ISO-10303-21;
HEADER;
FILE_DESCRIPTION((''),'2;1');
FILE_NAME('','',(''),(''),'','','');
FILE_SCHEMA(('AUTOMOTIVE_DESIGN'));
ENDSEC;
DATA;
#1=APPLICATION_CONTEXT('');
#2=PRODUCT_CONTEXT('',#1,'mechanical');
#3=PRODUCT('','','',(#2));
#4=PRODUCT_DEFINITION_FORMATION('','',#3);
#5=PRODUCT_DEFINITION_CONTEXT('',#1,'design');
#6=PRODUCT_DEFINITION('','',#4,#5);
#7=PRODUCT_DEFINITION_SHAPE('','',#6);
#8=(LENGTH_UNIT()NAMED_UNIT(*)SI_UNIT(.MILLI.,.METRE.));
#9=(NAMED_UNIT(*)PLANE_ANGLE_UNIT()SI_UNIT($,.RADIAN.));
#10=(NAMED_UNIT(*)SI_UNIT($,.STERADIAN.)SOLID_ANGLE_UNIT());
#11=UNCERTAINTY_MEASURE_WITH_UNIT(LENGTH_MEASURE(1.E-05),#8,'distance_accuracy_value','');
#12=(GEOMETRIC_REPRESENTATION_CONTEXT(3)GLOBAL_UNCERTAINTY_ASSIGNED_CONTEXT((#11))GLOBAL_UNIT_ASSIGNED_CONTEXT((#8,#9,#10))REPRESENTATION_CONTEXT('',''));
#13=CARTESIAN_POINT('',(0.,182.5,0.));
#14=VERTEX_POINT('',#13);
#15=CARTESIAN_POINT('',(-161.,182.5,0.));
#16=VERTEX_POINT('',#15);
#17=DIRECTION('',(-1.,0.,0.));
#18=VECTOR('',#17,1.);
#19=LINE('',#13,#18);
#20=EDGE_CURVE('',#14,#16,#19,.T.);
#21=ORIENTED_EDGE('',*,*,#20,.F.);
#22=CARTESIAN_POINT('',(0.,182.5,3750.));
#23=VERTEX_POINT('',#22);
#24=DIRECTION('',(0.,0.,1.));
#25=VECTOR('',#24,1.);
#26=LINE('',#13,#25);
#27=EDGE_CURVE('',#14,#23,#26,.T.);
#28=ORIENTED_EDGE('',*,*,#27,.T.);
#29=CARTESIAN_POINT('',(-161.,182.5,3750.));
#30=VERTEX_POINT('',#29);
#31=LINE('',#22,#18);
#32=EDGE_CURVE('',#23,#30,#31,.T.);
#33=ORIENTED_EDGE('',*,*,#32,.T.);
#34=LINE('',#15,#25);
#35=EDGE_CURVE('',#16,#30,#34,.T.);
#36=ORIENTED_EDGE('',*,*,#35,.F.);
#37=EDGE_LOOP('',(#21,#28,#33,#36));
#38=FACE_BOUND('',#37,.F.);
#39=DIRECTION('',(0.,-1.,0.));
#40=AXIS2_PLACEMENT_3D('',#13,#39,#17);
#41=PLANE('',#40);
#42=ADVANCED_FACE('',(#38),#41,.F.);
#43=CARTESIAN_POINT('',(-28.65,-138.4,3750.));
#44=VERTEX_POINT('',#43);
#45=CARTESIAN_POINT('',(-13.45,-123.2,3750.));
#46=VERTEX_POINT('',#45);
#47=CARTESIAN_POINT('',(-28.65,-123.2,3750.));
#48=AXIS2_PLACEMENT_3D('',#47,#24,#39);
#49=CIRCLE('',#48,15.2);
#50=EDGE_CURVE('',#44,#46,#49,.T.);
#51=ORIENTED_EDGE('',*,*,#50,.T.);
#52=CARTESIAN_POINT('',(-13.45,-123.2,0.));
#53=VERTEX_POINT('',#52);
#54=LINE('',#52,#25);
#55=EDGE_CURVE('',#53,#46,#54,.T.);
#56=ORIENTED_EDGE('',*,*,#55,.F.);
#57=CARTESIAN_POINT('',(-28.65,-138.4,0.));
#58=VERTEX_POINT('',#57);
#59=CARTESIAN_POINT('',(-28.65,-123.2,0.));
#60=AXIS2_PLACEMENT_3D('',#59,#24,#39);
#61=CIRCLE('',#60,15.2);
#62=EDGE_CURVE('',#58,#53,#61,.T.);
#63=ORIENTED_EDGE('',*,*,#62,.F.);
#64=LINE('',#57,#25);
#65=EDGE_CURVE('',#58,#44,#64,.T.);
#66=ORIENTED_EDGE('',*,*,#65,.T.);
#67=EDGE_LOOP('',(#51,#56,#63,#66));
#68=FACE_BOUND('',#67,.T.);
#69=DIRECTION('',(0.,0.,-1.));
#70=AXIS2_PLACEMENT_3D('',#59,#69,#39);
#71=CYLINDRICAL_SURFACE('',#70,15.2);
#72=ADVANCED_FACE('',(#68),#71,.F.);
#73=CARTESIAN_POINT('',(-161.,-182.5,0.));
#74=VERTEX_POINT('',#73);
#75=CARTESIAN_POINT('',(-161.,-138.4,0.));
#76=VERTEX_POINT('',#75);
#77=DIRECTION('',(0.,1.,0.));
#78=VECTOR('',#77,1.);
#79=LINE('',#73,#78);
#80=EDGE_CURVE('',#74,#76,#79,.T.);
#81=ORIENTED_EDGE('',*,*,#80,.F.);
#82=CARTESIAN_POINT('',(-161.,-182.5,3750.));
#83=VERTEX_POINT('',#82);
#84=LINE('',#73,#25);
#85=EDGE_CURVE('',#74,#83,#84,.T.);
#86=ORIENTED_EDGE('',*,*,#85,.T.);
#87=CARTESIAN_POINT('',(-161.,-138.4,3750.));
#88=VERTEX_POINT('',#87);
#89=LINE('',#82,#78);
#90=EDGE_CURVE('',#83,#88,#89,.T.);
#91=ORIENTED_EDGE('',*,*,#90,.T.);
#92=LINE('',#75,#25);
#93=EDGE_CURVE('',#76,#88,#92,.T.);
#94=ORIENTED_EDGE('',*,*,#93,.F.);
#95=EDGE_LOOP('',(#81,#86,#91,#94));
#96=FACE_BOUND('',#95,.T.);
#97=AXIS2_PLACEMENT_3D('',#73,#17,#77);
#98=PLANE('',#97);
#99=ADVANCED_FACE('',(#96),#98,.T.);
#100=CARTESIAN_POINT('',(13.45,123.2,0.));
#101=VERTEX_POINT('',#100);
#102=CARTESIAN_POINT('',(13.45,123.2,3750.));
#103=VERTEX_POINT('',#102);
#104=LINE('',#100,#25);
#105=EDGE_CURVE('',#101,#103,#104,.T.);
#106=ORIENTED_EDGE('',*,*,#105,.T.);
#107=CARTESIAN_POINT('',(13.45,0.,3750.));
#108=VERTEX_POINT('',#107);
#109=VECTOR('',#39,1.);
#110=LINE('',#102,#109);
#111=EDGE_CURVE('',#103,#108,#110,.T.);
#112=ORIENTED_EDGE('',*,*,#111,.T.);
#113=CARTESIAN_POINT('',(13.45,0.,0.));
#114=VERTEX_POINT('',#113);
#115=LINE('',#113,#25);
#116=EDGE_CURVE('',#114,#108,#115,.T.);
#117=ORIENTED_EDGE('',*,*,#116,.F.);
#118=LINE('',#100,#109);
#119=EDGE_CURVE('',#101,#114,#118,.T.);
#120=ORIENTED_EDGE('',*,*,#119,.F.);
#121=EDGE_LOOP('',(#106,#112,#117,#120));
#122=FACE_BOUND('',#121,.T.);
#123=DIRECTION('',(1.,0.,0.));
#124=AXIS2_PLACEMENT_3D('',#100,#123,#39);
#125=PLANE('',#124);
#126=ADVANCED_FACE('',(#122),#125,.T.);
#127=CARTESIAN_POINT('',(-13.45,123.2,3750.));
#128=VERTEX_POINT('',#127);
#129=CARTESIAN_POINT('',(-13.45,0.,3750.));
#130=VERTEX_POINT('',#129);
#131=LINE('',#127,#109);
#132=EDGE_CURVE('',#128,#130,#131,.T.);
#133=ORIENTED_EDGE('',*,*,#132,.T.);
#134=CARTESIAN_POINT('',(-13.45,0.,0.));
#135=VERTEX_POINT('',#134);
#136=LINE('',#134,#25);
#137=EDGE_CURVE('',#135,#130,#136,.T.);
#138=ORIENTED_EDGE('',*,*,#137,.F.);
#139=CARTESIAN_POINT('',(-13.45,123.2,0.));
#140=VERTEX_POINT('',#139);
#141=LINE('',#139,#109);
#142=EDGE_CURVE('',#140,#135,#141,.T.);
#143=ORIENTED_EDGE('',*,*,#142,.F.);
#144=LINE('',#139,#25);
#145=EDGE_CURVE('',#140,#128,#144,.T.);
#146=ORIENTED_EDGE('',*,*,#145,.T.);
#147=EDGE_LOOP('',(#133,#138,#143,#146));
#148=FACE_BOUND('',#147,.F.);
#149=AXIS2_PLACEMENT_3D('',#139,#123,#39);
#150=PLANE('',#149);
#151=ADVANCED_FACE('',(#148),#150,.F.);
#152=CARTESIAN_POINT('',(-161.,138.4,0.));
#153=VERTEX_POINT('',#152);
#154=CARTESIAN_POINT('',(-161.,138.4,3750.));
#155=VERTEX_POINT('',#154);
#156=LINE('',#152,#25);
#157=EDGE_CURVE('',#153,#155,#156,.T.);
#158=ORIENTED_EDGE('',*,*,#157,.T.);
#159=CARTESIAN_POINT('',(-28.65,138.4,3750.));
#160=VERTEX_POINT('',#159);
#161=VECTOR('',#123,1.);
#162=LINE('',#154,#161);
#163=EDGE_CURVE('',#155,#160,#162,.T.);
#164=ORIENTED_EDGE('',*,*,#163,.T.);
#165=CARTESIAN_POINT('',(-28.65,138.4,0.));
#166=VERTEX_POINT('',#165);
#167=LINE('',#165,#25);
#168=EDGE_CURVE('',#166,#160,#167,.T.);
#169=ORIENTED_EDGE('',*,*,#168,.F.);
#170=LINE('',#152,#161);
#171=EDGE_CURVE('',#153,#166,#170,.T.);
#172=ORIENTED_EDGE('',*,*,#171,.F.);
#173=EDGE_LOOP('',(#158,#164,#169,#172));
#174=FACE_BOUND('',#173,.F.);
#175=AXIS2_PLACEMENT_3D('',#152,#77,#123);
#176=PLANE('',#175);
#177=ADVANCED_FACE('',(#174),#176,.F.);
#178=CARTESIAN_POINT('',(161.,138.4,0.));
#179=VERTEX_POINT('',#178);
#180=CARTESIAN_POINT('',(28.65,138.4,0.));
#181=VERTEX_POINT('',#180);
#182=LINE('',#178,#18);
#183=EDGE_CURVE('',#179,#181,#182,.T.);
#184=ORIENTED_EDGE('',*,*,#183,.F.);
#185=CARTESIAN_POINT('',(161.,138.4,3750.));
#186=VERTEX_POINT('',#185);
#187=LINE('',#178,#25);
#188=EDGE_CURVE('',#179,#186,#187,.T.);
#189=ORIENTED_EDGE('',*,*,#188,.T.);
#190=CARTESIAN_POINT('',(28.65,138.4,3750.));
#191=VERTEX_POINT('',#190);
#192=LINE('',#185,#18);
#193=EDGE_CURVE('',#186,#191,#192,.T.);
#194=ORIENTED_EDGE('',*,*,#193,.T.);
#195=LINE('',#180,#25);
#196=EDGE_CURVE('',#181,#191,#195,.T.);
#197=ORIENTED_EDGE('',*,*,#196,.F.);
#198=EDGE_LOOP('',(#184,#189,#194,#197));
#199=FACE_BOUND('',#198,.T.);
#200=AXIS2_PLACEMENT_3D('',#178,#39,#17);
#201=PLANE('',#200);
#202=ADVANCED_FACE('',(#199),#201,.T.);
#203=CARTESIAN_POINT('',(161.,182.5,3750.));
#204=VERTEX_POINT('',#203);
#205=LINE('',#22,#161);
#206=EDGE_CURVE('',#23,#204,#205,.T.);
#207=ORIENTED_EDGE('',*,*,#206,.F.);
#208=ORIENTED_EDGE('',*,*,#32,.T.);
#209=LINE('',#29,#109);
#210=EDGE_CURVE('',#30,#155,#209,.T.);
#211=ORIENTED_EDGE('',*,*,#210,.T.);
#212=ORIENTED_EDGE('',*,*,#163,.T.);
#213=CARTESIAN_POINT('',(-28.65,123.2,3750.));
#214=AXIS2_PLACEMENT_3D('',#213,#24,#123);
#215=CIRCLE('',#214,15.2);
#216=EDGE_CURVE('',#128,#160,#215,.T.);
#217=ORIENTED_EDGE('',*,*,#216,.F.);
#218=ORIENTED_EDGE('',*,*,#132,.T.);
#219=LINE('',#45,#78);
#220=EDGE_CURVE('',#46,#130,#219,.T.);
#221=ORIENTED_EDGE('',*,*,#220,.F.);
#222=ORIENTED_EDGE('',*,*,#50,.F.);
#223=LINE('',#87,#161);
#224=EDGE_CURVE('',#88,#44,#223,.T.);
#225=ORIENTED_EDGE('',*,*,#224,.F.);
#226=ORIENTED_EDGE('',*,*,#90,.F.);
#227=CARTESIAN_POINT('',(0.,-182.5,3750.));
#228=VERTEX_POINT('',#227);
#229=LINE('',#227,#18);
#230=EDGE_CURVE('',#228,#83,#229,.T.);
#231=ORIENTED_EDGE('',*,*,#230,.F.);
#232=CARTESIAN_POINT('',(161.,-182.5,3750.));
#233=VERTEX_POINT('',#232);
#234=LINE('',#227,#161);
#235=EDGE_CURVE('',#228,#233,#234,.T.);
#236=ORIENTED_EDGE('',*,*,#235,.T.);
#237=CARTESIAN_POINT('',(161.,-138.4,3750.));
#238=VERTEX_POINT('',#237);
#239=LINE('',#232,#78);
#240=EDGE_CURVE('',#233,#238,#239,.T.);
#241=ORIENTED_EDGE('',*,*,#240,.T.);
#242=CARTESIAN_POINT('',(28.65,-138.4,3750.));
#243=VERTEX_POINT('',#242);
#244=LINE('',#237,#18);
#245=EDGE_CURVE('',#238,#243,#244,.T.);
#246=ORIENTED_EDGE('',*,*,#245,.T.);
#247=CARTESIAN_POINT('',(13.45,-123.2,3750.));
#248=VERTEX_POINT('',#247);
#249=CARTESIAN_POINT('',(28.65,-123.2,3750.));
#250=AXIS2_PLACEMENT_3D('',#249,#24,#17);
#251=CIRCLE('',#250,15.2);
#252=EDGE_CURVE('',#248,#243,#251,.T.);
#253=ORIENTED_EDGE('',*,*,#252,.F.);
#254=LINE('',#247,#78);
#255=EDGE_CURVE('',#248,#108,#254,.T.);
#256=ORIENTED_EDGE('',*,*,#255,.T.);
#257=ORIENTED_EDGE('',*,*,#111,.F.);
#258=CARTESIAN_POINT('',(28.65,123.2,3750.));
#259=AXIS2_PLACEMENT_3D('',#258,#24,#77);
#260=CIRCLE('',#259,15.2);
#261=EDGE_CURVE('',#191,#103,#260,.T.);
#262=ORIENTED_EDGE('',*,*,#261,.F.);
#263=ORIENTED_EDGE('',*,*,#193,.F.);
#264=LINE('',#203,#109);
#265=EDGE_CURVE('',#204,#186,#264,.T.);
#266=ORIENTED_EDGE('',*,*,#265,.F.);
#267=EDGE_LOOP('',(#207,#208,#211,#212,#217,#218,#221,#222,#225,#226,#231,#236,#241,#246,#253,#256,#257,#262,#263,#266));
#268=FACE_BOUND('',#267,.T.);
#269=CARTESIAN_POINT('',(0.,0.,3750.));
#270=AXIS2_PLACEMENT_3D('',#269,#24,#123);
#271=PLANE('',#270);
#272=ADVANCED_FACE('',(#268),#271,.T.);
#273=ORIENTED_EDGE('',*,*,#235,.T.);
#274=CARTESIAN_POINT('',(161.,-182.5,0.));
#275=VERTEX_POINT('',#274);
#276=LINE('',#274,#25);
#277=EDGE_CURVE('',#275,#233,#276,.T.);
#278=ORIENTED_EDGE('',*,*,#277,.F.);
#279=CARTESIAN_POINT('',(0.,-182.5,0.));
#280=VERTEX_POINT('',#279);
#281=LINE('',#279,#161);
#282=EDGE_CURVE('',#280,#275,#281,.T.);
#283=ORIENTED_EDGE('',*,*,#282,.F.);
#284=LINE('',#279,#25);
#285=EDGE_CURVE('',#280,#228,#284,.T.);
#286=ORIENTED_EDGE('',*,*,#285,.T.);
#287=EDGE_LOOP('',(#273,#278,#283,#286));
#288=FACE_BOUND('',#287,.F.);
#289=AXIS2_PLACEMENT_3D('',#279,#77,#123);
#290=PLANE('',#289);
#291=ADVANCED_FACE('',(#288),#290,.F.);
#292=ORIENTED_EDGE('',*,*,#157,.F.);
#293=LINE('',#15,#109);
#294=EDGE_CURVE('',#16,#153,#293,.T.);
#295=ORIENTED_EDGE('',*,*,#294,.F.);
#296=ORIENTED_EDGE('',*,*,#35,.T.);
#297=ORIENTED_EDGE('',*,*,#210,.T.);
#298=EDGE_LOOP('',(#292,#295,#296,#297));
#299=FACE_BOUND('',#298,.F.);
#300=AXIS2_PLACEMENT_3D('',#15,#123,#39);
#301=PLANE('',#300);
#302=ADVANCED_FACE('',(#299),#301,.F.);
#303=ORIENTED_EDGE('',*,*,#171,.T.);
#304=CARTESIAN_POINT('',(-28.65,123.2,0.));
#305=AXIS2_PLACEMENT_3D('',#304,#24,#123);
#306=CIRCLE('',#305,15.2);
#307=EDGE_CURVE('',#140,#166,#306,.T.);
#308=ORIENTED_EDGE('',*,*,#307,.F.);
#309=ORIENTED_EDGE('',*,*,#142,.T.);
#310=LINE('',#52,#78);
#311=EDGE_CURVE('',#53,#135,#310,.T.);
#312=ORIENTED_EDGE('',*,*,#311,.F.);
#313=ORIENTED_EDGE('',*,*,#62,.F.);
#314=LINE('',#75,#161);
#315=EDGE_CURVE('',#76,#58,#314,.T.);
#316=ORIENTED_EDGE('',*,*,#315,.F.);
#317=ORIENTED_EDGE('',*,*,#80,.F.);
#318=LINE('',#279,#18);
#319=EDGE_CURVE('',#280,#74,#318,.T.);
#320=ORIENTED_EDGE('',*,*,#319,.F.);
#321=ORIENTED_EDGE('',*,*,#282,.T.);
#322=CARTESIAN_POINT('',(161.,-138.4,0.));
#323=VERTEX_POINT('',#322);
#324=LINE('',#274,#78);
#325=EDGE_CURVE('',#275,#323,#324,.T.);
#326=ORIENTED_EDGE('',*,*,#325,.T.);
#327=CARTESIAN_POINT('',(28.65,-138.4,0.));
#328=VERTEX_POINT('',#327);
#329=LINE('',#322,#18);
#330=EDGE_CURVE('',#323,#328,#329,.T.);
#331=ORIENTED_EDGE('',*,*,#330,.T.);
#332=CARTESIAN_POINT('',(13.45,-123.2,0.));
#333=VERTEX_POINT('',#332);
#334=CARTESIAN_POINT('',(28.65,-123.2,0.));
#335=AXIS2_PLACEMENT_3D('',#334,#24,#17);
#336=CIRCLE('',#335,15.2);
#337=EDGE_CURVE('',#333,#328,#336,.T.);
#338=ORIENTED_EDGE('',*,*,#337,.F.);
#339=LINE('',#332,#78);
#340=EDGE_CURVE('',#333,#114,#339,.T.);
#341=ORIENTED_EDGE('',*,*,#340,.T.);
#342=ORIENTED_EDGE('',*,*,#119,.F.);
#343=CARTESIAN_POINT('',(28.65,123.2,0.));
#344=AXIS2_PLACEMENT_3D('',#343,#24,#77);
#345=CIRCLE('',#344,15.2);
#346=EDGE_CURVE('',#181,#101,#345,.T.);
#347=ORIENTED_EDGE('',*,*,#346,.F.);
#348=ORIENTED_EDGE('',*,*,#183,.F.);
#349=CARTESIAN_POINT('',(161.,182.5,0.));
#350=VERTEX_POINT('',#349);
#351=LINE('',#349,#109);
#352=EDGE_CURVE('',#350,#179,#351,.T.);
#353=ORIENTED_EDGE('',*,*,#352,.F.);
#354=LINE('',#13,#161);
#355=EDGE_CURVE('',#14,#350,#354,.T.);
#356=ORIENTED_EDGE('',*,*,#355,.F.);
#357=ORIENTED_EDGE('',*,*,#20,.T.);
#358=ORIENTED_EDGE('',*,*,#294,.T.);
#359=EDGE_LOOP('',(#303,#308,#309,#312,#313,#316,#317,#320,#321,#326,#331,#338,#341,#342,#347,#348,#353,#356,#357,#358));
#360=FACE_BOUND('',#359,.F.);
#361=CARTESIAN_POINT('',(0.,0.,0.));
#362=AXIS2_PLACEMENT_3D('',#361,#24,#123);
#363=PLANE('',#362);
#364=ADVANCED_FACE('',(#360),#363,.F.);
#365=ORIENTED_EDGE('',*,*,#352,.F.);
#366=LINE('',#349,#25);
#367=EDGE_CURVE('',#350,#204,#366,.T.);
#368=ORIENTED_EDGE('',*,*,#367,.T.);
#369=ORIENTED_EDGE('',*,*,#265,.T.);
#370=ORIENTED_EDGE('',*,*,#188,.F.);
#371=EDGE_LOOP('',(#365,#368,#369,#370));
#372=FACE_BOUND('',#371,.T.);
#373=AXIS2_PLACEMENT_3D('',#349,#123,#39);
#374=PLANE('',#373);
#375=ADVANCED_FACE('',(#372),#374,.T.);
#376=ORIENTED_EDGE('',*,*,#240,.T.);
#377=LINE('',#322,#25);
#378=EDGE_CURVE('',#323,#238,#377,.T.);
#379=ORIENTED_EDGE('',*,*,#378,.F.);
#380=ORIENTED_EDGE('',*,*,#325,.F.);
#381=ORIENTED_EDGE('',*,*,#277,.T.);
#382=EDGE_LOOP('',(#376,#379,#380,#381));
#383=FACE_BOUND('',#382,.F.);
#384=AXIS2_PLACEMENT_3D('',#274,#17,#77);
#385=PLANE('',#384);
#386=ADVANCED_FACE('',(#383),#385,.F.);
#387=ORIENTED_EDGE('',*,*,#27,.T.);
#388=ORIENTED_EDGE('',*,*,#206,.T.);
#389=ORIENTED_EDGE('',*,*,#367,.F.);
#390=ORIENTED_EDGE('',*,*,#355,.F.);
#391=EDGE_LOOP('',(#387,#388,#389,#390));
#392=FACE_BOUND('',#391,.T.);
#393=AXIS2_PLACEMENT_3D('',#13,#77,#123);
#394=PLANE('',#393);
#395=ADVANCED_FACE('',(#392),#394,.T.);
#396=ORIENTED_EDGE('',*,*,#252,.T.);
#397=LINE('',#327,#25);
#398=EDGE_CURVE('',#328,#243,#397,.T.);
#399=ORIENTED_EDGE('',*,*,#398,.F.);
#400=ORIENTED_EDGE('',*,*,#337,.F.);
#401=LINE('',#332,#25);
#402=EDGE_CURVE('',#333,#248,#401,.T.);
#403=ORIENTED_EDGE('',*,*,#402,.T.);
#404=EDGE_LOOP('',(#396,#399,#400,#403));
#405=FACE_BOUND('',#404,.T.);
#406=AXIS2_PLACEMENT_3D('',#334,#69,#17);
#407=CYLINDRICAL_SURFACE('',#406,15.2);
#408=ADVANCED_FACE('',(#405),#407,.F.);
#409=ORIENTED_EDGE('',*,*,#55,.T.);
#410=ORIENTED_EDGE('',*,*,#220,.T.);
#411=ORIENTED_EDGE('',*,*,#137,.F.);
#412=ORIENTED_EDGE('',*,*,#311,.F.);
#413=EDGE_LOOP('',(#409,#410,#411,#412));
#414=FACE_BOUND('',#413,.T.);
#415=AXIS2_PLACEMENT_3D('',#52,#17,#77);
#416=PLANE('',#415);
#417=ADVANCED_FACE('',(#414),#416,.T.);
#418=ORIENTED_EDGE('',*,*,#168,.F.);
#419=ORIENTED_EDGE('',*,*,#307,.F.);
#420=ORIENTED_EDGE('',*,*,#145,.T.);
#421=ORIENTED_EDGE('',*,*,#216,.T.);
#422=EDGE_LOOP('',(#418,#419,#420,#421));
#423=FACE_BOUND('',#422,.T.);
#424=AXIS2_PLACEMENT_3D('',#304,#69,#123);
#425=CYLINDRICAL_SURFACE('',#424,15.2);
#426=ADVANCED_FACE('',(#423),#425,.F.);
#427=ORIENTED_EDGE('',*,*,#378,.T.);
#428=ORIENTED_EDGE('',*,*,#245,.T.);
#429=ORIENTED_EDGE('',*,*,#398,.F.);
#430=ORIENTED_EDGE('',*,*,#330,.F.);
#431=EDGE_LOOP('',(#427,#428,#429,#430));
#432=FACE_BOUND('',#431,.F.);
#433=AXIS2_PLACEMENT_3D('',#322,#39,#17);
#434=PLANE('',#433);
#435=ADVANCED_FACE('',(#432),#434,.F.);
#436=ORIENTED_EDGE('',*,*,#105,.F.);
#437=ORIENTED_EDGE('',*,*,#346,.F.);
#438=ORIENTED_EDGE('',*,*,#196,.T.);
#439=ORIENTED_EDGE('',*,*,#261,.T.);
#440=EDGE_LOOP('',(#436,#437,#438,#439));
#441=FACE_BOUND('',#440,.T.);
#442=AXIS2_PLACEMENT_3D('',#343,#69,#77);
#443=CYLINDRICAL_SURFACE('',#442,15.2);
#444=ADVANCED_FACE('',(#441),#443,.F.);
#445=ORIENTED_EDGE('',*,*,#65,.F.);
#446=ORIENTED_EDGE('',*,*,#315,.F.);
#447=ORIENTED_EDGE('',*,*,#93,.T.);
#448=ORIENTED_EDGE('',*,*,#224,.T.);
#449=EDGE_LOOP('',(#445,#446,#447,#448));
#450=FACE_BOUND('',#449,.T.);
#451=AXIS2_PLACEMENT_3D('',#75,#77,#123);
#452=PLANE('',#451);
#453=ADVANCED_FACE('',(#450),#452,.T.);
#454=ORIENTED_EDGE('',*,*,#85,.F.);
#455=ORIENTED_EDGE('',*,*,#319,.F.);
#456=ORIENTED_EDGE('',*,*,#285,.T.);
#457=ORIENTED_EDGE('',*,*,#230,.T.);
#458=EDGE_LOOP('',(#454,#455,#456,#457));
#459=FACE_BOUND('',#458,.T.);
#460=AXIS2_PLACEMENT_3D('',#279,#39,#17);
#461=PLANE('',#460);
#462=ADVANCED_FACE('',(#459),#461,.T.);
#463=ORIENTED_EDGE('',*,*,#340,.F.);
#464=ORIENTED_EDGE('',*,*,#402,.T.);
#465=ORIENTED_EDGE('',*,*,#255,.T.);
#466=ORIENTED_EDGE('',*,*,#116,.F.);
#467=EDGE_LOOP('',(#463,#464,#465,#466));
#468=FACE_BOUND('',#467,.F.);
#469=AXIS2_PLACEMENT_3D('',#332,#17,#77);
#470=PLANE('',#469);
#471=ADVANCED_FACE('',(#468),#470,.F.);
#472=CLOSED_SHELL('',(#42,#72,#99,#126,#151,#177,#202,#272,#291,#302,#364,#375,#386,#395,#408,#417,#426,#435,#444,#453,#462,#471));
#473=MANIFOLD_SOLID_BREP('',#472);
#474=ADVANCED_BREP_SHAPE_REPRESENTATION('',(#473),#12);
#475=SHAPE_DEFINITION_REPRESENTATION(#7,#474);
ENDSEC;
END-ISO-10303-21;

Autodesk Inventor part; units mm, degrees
ref_plane "YZ Plane" through (0, 0, 0) normal (1, 0, 0) x (0, 1, 0)
ref_plane "Start plane" through (0, 0, 0) normal (0, 0, 1) x (1, 0, 0)
ref_plane "End plane" through (0, 0, 3750) normal (0, 0, 1) x (1, 0, 0)
sketch "Sketch" plane through (0, 0, 0) normal (0, 0, 1) x (1, 0, 0)
  line L0 (-161, -182.5) -> (-161, -138.4)
  line L1 (-161, -138.4) -> (-28.65, -138.4)
  line L2 (-13.45, -123.2) -> (-13.45, 0)
  line L3 (-13.45, 0) -> (0, 0) construction
  line L4 (0, 0) -> (0, -182.5) construction
  line L5 (0, -182.5) -> (-161, -182.5)
  line L6 (-60, 0) -> (80, 0) construction
  line L7 (0, -60) -> (0, 80) construction
  line L8 (161, -182.5) -> (161, -138.4)
  line L9 (161, -138.4) -> (28.65, -138.4)
  line L10 (13.45, -123.2) -> (13.45, 0)
  line L11 (13.45, 0) -> (0, 0) construction
  line L12 (0, -182.5) -> (161, -182.5)
  line L13 (-161, 182.5) -> (-161, 138.4)
  line L14 (-161, 138.4) -> (-28.65, 138.4)
  line L15 (-13.45, 123.2) -> (-13.45, 0)
  line L16 (0, 182.5) -> (-161, 182.5)
  line L17 (161, 182.5) -> (161, 138.4)
  line L18 (161, 138.4) -> (28.65, 138.4)
  line L19 (0, 182.5) -> (161, 182.5)
  line L20 (13.45, 123.2) -> (13.45, 0)
  arc A0 (-13.45, 123.2) -> (-28.65, 138.4) centre (-28.65, 123.2) ccw
  arc A1 (28.65, 138.4) -> (13.45, 123.2) centre (28.65, 123.2) ccw
  arc A2 (13.45, -123.2) -> (28.65, -138.4) centre (28.65, -123.2) ccw
  arc A3 (-28.65, -138.4) -> (-13.45, -123.2) centre (-28.65, -123.2) ccw
  line L21 (0, 108) -> (0, -88) construction
  line L22 (-88, 0) -> (108, 0) construction
  point P0 (-13.45, -138.4)
  point P1 (13.45, -138.4)
  point P2 (-13.45, 138.4)
  point P3 (13.45, 138.4)
  dimension "d1" = 182.5
  dimension "d2" = 44.1
  dimension "d3" = 161
  dimension "d4" = 13.45
  dimension "d10" = 15.2
extrude "Body" add sketch "Sketch" along normal up to surface (3750 mm away) from surface at 0
sketch "Sketch4" plane through (0, 0, 0) normal (0, 0, 1) x (1, 0, 0)
  line L0 (0, 0) -> (10, 0)
ref_plane "Work Plane3" through (0, 0, 0) normal (0, -1, 0) x (1, 0, 0)
sketch "Sketch5" plane through (0, 0, 0) normal (0, -1, 0) x (1, 0, 0)
  line L0 (-2, 0) -> (12, 0) projected
  line L1 (-2, 3750) -> (12, 3750) projected
  dimension "d14" = 3750
equation "\"d1\" = 0.5 * G_H"
equation "\"d2\" = G_T1"
equation "\"d3\" = 0.5 * G_W"
equation "\"d4\" = 0.5 * G_T"
equation "\"d10\" = G_IR"
equation "\"d5\" = G_L"
equation "\"G_W\" = 322"
equation "\"G_H\" = 365"
equation "\"G_T\" = 26.9"
equation "\"G_T1\" = 44.1"
equation "\"G_IR\" = 15.2"
equation "\"G_L\" = d14"
equation "\"G_OFFSET_START\" = 0"
equation "\"G_OFFSET_END\" = 0"
properties part number "AS 3679 - 310 UC - 283 - 3750" material "Steel, Mild"
